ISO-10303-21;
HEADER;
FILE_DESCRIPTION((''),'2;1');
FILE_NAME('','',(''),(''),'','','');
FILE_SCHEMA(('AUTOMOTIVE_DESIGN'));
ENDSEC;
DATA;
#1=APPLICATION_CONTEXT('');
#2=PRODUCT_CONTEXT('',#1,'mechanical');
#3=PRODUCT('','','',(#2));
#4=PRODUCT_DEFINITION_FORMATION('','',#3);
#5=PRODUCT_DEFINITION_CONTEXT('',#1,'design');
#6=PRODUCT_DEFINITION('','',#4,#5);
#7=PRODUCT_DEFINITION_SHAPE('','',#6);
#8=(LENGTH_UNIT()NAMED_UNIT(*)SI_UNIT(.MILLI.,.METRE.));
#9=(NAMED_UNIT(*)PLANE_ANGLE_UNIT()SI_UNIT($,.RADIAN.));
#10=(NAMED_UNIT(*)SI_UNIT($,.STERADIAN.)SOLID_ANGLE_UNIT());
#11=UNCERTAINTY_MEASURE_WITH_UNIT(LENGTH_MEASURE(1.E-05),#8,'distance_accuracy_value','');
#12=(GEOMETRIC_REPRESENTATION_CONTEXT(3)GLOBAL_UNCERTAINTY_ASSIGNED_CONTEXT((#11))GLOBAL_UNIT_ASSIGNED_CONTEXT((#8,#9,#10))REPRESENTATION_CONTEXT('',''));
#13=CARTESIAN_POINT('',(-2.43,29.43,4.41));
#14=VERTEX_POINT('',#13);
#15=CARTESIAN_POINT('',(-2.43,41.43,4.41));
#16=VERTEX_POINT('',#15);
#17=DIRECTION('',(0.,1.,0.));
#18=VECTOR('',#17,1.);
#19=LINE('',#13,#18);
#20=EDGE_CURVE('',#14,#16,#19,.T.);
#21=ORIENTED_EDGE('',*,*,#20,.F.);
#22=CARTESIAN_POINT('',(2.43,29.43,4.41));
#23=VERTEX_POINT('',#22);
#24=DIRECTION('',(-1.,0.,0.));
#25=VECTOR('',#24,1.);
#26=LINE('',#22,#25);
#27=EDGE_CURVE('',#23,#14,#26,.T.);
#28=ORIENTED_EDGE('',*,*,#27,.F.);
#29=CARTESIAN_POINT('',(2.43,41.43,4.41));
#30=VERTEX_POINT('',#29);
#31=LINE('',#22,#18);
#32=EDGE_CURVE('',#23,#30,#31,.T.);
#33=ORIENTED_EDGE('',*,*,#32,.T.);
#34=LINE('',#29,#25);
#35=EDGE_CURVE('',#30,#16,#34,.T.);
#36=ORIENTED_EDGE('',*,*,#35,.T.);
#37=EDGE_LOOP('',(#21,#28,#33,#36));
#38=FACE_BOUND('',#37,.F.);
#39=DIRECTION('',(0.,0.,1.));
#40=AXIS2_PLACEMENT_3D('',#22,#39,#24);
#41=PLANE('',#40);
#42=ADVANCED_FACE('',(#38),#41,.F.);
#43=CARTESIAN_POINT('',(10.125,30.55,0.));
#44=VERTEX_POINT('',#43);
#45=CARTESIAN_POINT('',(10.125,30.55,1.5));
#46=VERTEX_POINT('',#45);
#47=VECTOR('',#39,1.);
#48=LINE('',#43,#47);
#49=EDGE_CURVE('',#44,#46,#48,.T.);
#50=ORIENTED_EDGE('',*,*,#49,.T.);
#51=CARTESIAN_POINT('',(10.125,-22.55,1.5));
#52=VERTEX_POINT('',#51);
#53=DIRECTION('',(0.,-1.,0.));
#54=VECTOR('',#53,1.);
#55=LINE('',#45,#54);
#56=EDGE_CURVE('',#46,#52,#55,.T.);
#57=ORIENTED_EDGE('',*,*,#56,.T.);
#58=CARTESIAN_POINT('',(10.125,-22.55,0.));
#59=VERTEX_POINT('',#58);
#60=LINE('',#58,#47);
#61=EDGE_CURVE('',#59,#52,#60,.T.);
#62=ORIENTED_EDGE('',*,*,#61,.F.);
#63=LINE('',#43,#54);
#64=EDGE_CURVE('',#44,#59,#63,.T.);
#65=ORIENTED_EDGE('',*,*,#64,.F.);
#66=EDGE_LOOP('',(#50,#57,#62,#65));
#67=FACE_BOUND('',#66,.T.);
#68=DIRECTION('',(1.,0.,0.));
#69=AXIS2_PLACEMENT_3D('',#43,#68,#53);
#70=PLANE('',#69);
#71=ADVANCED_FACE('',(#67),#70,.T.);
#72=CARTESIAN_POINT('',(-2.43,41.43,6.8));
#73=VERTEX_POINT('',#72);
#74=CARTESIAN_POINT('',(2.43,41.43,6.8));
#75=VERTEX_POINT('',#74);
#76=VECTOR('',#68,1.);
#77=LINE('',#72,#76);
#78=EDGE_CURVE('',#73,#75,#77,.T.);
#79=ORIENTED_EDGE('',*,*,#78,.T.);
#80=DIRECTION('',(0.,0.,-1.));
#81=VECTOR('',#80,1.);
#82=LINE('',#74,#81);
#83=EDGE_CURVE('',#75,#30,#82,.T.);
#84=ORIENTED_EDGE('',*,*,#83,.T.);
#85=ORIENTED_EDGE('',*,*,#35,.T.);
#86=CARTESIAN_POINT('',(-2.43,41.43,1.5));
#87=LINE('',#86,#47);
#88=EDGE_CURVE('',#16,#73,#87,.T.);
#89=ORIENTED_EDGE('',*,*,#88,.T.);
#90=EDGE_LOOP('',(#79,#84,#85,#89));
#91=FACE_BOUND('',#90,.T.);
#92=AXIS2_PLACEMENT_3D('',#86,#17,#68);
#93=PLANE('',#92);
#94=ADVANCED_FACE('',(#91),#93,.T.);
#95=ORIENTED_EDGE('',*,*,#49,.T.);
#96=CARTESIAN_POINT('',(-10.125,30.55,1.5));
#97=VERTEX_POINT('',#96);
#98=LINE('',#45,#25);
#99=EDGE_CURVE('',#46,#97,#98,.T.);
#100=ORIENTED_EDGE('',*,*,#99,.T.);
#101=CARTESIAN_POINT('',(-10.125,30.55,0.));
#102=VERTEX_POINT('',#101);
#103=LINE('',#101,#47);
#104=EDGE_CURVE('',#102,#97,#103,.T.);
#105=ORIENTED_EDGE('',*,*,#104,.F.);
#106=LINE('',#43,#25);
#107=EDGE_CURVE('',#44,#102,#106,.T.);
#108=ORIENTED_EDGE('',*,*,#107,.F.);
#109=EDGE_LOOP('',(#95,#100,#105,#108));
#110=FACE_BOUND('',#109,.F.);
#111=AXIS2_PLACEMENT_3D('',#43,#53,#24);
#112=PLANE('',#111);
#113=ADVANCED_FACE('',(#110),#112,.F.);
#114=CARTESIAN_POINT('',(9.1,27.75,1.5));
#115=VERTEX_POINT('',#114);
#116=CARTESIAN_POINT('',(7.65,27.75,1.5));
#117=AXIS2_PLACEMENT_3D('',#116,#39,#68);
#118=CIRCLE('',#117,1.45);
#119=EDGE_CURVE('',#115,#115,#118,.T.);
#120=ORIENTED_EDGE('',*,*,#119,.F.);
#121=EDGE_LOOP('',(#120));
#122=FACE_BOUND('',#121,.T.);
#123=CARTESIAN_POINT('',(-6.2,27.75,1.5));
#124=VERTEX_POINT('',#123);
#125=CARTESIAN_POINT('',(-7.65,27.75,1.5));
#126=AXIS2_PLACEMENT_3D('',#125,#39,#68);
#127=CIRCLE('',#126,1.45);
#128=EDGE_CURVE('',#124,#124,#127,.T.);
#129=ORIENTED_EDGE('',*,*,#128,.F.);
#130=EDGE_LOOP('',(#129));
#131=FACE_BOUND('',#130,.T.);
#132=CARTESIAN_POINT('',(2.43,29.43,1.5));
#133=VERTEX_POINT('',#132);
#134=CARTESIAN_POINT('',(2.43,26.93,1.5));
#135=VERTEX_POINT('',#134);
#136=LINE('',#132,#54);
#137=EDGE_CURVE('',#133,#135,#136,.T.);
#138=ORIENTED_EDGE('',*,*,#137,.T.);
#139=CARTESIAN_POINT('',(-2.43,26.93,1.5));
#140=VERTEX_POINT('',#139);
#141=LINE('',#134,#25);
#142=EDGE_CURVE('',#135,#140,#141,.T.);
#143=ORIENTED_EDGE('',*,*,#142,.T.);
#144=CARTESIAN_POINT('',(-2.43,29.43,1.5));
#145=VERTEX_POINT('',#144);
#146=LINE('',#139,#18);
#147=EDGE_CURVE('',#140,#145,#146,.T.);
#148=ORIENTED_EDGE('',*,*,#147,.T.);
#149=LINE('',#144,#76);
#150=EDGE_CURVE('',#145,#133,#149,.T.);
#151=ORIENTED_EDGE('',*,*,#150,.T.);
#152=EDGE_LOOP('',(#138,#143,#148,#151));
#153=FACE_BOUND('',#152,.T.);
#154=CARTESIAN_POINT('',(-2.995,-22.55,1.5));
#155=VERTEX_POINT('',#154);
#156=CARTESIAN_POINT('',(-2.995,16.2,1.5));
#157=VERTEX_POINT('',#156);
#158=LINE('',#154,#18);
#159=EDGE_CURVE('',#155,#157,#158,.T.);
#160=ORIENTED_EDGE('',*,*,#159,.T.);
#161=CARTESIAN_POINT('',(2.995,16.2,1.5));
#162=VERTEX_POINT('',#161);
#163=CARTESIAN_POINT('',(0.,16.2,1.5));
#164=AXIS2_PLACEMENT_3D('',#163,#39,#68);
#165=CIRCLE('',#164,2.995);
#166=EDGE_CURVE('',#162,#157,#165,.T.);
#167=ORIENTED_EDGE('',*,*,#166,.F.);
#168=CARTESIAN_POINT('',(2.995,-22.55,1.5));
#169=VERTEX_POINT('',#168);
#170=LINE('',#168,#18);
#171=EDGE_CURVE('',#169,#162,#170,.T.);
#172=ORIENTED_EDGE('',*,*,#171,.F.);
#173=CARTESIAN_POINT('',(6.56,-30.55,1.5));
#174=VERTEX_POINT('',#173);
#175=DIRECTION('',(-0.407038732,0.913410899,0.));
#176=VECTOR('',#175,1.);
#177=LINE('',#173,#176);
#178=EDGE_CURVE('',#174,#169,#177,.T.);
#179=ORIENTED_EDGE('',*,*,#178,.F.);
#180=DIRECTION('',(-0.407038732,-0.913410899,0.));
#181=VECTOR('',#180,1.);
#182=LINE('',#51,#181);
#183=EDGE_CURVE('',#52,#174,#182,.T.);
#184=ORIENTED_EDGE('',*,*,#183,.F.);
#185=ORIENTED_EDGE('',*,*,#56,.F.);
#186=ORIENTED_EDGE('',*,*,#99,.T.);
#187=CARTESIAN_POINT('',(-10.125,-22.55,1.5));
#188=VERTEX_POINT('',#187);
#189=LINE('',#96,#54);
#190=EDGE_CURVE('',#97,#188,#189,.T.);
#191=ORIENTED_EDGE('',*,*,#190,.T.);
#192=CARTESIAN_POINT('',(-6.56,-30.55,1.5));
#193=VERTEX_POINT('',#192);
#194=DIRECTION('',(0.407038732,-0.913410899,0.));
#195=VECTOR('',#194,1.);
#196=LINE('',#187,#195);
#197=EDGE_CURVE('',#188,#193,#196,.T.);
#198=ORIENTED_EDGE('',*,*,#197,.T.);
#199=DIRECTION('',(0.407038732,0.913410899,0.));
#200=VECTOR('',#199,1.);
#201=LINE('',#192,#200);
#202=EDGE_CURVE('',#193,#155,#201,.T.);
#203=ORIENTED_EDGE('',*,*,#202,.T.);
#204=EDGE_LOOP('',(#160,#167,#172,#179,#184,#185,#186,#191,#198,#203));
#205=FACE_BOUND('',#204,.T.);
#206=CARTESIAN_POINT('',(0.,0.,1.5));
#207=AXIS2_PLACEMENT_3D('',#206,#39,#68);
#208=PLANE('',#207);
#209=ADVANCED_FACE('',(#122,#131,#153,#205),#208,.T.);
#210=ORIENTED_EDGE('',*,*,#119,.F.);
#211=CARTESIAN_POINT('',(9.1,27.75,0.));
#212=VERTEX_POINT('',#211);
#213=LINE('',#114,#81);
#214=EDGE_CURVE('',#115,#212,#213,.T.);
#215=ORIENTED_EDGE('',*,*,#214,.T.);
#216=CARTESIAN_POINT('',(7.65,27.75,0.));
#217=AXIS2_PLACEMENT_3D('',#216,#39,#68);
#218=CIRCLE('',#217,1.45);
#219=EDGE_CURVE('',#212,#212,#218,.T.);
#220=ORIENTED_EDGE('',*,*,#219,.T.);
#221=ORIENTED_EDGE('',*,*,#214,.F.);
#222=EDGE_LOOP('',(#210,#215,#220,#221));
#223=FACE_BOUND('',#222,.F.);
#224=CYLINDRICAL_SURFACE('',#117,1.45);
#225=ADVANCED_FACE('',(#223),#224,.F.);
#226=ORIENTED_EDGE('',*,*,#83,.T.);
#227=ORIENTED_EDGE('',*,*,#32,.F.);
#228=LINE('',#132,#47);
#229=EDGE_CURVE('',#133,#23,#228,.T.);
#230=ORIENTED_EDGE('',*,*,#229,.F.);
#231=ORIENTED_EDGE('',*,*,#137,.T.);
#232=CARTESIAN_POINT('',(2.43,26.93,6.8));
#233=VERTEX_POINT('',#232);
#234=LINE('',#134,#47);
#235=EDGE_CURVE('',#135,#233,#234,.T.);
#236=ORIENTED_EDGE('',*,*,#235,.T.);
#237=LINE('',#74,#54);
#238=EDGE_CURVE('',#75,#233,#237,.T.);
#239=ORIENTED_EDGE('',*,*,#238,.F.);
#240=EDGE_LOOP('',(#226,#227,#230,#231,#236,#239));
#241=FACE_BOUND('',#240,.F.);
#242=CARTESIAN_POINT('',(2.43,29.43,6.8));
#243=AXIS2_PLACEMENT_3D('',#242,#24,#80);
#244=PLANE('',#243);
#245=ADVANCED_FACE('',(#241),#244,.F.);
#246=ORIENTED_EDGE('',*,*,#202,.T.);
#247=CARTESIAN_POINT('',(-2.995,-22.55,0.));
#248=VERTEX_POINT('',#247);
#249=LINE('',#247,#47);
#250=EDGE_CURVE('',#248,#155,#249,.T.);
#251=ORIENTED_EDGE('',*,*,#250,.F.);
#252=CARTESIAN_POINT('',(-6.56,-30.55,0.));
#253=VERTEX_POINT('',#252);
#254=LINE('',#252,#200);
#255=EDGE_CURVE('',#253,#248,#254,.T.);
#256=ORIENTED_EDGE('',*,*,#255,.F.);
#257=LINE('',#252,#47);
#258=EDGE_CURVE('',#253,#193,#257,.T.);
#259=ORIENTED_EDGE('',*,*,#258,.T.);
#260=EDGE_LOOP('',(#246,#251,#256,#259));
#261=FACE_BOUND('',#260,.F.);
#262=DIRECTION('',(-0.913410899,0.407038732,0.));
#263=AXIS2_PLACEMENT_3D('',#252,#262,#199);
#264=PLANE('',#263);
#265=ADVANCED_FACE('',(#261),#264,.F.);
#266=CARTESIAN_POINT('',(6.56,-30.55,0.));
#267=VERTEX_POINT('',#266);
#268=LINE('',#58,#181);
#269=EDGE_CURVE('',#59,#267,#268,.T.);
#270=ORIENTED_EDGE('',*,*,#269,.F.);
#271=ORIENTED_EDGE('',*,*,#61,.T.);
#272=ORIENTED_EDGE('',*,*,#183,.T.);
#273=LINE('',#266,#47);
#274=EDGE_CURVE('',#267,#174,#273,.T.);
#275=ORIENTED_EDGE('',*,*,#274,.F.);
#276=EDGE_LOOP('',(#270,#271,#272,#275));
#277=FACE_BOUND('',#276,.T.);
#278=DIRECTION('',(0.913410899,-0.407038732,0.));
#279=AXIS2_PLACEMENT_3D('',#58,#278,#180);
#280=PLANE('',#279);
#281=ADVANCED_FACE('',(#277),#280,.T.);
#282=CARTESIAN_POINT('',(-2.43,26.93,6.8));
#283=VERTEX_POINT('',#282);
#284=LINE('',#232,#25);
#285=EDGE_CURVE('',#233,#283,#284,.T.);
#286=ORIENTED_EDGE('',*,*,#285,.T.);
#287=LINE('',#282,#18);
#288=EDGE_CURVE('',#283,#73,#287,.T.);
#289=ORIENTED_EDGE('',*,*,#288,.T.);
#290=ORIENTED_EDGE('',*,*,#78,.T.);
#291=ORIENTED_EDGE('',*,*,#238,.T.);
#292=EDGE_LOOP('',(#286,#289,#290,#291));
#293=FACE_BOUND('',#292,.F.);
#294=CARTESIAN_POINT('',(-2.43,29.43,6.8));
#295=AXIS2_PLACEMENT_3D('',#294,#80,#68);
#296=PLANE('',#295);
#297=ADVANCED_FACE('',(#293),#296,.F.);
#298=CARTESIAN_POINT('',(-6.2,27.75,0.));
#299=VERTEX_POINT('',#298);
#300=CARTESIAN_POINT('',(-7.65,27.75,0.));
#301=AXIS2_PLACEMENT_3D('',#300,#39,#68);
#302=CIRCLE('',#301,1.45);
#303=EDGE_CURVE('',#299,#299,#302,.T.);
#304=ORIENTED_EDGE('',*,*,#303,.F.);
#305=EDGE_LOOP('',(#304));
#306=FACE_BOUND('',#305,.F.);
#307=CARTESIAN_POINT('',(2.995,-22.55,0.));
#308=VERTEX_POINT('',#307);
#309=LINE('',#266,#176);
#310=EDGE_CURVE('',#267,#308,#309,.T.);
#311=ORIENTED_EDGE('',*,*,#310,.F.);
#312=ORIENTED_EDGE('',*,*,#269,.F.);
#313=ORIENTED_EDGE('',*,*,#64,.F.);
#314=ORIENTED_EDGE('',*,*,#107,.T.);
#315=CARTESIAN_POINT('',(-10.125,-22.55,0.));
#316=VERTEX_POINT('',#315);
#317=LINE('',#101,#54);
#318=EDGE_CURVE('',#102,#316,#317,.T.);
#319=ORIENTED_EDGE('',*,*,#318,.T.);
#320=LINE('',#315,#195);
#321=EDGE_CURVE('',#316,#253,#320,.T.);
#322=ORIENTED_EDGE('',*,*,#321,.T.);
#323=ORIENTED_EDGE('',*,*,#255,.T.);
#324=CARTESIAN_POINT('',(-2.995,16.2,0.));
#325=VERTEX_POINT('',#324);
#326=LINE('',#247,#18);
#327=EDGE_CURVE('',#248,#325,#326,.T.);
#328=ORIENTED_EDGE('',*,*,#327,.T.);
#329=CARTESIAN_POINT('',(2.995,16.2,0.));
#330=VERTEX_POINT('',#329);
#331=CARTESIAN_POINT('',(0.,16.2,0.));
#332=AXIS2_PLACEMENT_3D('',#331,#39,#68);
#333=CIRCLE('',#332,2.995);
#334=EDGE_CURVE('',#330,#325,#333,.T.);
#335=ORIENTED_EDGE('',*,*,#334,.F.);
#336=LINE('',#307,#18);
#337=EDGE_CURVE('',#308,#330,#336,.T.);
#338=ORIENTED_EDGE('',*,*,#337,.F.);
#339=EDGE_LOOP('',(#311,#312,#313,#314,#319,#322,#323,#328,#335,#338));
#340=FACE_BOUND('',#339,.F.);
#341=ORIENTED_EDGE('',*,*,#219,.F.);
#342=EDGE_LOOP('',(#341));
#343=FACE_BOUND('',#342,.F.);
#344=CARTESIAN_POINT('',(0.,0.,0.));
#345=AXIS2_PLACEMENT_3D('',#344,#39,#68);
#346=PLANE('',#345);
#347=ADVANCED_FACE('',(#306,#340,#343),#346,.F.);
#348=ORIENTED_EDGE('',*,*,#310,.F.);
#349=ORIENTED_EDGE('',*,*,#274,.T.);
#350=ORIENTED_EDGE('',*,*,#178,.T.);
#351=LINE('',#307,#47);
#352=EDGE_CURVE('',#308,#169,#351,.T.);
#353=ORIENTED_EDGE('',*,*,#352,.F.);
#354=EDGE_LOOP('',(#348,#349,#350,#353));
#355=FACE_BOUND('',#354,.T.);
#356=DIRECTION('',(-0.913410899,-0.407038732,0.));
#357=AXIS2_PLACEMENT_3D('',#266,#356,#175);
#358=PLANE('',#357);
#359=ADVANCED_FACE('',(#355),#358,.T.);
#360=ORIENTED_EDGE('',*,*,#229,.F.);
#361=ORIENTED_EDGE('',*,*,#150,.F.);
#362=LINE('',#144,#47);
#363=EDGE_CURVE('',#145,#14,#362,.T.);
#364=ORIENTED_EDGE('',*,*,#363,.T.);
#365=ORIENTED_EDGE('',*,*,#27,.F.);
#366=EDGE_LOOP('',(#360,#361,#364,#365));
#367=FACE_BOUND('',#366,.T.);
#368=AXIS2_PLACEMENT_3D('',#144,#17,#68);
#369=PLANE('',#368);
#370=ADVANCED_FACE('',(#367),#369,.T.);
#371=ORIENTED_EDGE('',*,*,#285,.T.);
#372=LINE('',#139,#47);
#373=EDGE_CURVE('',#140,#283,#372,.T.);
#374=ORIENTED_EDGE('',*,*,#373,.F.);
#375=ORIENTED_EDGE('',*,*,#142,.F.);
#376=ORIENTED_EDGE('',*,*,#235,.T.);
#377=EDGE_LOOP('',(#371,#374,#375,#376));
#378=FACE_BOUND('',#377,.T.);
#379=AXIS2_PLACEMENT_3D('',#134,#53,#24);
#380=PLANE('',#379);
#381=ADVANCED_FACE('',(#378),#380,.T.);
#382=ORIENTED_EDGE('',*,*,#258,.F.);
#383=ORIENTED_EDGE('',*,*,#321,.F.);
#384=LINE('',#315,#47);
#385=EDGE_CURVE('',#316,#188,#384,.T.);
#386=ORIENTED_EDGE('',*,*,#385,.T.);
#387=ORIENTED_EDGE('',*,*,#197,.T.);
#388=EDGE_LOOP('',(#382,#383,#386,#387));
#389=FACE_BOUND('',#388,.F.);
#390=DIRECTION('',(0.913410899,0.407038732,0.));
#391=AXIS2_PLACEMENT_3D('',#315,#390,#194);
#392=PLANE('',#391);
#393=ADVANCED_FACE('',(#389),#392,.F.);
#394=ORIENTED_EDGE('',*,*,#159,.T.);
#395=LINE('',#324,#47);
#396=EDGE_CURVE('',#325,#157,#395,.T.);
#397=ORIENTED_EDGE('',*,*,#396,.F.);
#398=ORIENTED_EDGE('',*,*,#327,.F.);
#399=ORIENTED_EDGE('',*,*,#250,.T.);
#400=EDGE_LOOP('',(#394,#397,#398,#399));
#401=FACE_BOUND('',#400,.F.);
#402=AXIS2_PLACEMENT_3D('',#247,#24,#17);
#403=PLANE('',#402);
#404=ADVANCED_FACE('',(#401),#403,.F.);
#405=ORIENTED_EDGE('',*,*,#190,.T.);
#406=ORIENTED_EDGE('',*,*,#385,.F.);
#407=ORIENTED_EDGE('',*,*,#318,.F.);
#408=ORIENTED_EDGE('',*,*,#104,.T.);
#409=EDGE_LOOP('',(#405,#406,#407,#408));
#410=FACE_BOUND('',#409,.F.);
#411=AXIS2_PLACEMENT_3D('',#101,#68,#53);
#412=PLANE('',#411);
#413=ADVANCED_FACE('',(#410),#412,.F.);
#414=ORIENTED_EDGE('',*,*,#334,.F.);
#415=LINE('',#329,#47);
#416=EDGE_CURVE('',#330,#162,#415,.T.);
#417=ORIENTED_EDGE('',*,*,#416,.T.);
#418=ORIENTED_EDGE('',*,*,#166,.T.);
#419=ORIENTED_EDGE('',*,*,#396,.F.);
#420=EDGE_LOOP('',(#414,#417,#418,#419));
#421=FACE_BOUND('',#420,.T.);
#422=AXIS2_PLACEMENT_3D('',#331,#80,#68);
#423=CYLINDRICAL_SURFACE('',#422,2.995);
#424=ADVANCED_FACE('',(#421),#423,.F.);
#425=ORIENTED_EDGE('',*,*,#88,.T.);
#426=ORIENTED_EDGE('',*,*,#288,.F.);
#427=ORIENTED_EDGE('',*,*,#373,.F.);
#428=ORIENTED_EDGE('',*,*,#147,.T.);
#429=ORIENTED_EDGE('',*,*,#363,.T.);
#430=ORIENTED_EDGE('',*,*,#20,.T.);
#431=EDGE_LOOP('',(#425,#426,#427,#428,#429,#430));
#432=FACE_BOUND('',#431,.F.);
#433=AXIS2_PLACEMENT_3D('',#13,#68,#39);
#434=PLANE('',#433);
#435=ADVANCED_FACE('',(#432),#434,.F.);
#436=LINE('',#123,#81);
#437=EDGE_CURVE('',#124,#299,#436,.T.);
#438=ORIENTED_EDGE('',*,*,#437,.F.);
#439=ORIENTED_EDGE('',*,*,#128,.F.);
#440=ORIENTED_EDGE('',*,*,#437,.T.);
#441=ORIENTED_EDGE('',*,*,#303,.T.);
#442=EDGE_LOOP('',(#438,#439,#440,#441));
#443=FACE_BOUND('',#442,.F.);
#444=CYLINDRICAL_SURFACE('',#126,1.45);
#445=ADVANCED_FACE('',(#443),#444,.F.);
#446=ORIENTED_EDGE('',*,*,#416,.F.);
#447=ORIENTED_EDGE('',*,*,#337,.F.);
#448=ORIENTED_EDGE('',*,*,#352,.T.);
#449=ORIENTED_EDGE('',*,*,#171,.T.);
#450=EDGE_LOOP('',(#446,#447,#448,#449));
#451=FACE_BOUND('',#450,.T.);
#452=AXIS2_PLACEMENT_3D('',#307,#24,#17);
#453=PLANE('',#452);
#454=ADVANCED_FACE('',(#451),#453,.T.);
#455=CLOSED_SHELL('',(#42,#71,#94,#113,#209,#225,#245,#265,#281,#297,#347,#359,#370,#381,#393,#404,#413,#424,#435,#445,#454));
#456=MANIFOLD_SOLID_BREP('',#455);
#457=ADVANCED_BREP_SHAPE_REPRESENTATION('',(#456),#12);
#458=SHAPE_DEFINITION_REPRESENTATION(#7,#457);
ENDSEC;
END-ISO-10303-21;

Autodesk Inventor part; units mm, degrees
ref_plane "YZ Plane" through (0, 0, 0) normal (1, 0, 0) x (0, 1, 0)
ref_plane "XZ Plane" through (0, 0, 0) normal (0, 1, 0) x (-1, 0, 0)
ref_plane "XY Plane" through (0, 0, 0) normal (0, 0, 1) x (1, 0, 0)
sketch "Sketch1" plane through (0, 0, 0) normal (0, 0, 1) x (1, 0, 0)
  line L0 (-10.125, -30.55) -> (10.125, -30.55) construction
  line L1 (10.125, -30.55) -> (10.125, 30.55) construction
  line L2 (10.125, 30.55) -> (-10.125, 30.55)
  line L3 (-10.125, 30.55) -> (-10.125, -30.55) construction
  line L4 (-10.125, -30.55) -> (10.125, 30.55) construction
  line L5 (10.125, -30.55) -> (-10.125, 30.55) construction
  line L6 (-10.125, 30.55) -> (-10.125, -22.55)
  line L7 (-10.125, -22.55) -> (-6.56, -30.55)
  line L8 (-6.56, -30.55) -> (-2.995, -22.55)
  line L9 (-2.995, -22.55) -> (-2.995, 16.2)
  arc A0 (2.995, 16.2) -> (-2.995, 16.2) centre (0, 16.2) ccw
  line L10 (0, 0) -> (0, 8.9972) construction
  line L11 (10.125, 30.55) -> (10.125, -30.55) construction
  line L12 (10.125, 30.55) -> (10.125, -22.55)
  line L13 (10.125, -22.55) -> (6.56, -30.55)
  line L14 (6.56, -30.55) -> (2.995, -22.55)
  line L15 (2.995, -22.55) -> (2.995, 16.2)
  dimension "d0" = 20.25
  dimension "d1" = 61.1
  dimension "d2" = 8
  dimension "d3" = 3.565
  dimension "d4" = 14.35
extrude "Extrusion1" add sketch "Sketch1" along normal blind 1.5
sketch "Sketch2" plane through (0, 0, 1.5) normal (0, 0, 1) x (1, 0, 0)
  line L0 (-2.43, 29.43) -> (2.43, 29.43)
  line L1 (2.43, 29.43) -> (2.43, 26.93)
  line L2 (2.43, 26.93) -> (-2.43, 26.93)
  line L3 (-2.43, 26.93) -> (-2.43, 29.43)
  line L4 (-2.43, 29.43) -> (2.43, 26.93) construction
  line L5 (2.43, 29.43) -> (-2.43, 26.93) construction
  line L6 (10.125, 30.55) -> (-10.125, 30.55) projected
  point P0 (0, 0)
  point P1 (0, 28.18)
  dimension "d7" = 4.86
  dimension "d8" = 2.5
  dimension "d9" = 1.12
extrude "Extrusion2" add sketch "Sketch2" along normal blind 5.3
sketch "Sketch3" plane through (-2.43, 29.43, 1.5) normal (0, 1, 0) x (1, 0, 0)
  line L0 (0, 0) -> (0, -5.3) projected
  line L1 (0, -5.3) -> (4.86, -5.3)
  line L2 (4.86, -5.3) -> (4.86, -2.91)
  line L3 (4.86, -2.91) -> (0, -2.91)
  line L4 (0, -2.91) -> (0, -5.3)
  line L5 (4.86, 0) -> (4.86, -5.3) projected
  point P0 (2.43, 1.5)
  dimension "d12" = 2.39
extrude "Extrusion3" add sketch "Sketch3" along normal blind 12
sketch "Sketch4" plane through (0, 0, 1.5) normal (0, 0, 1) x (1, 0, 0)
  line L0 (-7.65, 27.75) -> (7.65, 27.75) construction
  circle A0 centre (-7.65, 27.75) radius 1.45
  circle A1 centre (7.65, 27.75) radius 1.45
  line L1 (10.125, 30.55) -> (-10.125, 30.55) projected
  point P0 (0, 0)
  point P1 (0, 27.75)
  point P2 (-7.65, 29.2)
  point P3 (-6.2, 27.75)
  point P4 (6.2, 27.75)
  dimension "d15" = 2.9
  dimension "d16" = 12.4
  dimension "d17" = 1.35
extrude "Extrusion4" cut sketch "Sketch4" against normal through all
properties part number "moist probe"
